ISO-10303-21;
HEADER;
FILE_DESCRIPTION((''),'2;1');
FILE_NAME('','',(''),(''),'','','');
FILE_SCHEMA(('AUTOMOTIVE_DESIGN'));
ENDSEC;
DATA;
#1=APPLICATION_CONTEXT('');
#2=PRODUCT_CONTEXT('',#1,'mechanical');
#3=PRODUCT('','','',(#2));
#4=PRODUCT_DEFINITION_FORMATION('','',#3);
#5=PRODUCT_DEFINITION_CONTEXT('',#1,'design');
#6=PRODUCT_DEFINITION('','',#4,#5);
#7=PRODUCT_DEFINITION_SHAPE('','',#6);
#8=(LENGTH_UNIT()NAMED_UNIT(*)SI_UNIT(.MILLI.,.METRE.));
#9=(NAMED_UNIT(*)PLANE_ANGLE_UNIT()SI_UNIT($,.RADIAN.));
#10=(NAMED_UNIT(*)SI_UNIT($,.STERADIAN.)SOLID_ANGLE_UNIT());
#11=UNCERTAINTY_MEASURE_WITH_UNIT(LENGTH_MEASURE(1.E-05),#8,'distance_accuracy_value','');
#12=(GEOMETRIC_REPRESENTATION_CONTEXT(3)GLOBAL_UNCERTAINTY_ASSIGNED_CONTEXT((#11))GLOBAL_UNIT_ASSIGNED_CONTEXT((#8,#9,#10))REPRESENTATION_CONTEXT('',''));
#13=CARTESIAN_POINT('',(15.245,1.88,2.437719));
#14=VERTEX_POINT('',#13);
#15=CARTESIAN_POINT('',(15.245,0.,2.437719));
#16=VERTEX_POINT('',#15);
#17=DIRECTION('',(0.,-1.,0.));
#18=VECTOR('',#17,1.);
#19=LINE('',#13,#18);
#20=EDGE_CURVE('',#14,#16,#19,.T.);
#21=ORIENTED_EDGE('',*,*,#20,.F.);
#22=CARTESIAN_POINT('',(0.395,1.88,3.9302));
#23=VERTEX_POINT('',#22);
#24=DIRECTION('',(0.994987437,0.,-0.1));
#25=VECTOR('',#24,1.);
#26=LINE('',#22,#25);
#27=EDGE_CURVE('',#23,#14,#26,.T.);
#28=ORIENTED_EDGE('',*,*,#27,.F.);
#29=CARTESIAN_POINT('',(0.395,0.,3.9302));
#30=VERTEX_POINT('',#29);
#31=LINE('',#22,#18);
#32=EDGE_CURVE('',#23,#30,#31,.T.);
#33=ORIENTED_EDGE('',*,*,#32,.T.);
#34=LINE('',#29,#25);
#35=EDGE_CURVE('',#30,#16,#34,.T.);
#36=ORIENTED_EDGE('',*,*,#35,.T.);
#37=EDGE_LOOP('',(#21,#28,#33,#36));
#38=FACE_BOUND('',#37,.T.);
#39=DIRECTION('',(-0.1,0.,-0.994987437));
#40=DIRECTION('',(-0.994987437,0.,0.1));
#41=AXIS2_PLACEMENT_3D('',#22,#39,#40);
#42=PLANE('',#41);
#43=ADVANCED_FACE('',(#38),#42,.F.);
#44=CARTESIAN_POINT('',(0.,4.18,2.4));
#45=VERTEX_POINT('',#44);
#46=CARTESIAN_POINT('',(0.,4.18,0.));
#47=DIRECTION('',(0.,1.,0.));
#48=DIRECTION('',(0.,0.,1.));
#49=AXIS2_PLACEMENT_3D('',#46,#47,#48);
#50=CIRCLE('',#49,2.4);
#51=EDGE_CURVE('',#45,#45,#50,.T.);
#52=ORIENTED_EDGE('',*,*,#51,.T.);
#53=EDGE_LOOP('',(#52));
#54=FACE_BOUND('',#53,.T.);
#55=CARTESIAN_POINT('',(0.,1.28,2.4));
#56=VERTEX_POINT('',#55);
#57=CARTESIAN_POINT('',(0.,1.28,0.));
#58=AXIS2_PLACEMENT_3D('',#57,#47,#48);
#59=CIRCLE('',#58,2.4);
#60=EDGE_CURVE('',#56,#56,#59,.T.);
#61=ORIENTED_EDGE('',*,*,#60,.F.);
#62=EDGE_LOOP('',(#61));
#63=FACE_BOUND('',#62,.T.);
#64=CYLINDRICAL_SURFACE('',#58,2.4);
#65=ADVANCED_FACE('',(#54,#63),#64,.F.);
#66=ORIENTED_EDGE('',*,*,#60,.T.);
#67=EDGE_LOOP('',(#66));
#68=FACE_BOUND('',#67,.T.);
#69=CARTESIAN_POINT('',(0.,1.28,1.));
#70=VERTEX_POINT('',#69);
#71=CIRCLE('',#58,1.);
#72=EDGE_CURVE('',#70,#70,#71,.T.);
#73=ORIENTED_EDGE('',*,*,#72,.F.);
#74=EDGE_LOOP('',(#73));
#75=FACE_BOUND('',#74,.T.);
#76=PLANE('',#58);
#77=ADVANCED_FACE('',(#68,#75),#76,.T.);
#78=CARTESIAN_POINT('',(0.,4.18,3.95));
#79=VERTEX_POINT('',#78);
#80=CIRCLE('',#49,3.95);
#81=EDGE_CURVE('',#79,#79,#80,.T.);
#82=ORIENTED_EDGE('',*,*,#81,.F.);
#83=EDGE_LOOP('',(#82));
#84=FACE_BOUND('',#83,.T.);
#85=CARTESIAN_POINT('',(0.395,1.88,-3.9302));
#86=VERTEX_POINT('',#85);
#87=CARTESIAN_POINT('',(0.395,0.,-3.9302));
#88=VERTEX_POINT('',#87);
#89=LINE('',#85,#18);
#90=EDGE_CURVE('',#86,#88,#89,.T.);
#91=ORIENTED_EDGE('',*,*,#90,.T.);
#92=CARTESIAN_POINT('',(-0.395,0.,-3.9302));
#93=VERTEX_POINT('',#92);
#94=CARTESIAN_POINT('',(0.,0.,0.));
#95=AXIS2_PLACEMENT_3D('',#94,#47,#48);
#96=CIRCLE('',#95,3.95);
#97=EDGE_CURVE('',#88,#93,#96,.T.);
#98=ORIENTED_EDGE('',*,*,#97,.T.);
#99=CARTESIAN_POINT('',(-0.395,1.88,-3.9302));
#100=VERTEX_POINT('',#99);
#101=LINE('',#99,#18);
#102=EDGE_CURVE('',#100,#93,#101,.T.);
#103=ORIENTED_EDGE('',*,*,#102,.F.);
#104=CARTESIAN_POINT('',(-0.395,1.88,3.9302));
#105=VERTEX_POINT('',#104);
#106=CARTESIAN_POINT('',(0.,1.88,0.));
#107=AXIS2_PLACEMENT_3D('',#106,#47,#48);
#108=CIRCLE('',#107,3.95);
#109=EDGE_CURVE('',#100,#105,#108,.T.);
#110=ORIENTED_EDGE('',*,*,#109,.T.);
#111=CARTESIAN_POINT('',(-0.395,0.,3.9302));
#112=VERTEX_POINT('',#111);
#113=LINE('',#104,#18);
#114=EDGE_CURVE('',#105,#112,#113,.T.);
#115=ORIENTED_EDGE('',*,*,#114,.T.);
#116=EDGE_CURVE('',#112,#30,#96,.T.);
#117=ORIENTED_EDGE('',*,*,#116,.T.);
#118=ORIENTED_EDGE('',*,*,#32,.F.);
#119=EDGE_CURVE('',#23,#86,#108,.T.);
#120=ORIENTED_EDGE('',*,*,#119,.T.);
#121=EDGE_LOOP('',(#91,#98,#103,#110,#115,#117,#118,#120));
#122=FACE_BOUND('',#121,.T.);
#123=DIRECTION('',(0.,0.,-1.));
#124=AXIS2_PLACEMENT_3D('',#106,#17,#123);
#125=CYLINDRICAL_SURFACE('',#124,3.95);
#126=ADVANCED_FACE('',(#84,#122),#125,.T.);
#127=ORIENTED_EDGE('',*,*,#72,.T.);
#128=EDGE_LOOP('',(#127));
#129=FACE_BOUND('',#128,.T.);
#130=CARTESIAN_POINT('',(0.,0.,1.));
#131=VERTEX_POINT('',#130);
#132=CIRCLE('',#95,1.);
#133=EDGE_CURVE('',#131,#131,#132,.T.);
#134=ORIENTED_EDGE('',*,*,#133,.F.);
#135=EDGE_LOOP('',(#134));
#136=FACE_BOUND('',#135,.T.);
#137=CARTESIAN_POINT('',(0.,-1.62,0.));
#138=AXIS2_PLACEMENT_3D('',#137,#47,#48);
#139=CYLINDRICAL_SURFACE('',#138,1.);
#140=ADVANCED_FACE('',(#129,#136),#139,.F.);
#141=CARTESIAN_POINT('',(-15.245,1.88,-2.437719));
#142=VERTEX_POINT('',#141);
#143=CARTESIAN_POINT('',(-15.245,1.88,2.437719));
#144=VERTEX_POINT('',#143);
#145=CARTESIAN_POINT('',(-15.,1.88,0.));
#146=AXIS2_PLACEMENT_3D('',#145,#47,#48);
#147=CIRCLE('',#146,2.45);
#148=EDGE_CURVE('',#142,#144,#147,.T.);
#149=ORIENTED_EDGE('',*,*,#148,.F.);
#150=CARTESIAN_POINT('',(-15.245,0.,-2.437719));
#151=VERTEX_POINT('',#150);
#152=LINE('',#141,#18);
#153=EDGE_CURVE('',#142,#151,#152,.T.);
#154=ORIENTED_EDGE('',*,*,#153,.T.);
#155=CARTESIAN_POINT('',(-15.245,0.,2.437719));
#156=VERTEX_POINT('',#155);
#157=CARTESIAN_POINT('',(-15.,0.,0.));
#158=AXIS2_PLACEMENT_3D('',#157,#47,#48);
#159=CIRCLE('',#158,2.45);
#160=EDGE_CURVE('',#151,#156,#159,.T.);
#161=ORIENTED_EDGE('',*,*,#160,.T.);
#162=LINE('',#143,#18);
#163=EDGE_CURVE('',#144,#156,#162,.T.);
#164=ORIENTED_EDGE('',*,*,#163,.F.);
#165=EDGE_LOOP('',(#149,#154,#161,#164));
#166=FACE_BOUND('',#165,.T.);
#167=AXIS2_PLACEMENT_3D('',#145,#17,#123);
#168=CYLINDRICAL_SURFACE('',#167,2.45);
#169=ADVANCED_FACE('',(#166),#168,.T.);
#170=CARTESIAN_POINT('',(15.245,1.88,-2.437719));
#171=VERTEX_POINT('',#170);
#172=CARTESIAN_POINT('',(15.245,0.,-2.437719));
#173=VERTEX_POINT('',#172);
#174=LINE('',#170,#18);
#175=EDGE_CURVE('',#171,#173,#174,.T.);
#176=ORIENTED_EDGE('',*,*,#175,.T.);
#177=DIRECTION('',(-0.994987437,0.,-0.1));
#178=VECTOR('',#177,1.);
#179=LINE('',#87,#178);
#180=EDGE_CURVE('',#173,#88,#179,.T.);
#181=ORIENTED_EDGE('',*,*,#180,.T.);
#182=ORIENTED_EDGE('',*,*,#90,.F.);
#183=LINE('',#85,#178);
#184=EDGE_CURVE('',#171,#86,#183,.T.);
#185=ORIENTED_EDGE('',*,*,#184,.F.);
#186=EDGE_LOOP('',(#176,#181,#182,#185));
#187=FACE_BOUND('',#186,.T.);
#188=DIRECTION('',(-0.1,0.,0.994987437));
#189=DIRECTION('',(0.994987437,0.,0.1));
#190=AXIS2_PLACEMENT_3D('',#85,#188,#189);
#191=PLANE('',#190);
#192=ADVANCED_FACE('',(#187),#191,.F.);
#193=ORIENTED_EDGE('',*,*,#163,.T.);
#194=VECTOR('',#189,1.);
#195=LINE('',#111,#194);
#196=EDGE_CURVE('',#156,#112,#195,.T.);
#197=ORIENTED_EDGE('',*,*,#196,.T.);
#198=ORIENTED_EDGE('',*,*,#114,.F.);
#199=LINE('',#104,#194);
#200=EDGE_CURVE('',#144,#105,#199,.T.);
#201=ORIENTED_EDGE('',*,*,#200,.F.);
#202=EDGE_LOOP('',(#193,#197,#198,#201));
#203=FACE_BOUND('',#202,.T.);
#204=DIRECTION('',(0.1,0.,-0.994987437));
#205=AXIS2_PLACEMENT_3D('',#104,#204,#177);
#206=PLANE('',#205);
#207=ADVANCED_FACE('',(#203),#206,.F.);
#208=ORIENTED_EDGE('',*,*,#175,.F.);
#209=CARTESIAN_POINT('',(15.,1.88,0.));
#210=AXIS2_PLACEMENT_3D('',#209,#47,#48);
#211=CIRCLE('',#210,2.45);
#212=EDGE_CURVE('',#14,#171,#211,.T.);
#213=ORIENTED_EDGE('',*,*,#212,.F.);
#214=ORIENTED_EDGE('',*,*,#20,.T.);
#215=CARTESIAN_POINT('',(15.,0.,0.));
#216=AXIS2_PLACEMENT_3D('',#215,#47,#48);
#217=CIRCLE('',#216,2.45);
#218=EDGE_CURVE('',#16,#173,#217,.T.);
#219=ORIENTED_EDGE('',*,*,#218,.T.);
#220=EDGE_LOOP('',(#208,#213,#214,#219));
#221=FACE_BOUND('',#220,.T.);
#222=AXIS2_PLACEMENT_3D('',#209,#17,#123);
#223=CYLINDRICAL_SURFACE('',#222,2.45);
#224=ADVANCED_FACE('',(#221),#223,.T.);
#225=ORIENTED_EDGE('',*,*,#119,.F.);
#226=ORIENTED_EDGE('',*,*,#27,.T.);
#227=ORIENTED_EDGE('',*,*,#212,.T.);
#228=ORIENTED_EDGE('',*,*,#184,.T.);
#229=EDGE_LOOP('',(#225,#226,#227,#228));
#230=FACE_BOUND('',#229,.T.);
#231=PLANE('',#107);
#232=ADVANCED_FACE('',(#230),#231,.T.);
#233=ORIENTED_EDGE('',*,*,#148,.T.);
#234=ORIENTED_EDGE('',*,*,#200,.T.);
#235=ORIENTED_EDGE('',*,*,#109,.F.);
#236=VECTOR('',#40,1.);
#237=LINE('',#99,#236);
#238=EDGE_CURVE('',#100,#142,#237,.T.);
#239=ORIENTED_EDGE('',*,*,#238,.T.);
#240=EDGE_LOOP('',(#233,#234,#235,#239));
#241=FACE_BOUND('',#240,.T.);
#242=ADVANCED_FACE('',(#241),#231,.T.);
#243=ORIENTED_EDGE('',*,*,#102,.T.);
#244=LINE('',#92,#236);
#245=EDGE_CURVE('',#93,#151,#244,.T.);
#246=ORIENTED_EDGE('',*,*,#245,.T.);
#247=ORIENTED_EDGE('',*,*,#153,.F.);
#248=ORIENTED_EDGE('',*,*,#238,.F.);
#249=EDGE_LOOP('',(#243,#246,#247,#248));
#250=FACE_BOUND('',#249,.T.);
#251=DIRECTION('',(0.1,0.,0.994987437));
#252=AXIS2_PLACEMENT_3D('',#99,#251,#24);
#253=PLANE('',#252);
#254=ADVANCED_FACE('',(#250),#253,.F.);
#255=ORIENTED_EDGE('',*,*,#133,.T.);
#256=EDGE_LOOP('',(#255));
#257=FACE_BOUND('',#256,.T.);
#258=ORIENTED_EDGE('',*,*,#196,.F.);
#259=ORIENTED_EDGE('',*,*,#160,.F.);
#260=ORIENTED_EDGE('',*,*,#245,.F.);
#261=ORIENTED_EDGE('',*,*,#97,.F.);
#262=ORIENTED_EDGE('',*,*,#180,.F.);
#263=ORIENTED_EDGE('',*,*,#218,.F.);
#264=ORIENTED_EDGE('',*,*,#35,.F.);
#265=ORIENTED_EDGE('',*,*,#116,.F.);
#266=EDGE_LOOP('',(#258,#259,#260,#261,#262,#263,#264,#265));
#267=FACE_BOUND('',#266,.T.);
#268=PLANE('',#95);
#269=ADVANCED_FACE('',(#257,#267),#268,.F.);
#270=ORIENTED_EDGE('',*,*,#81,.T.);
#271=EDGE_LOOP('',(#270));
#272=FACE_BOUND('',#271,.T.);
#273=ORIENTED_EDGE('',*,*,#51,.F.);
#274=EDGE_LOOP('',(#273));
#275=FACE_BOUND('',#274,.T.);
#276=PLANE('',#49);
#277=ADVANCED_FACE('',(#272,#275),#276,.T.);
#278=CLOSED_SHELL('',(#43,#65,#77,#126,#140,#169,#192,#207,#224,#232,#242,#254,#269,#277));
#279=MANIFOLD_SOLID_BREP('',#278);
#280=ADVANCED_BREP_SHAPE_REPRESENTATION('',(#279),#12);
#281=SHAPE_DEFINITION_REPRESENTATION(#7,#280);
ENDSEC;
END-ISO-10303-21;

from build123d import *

# Parameters (mm, degrees)
BOSS_EXTRU_1_DEPTH      = 1.88
ESQUISSE2_R             = 3.95
BOSS_EXTRU_2_DEPTH      = 2.3
ESQUISSE3_R             = 2.4
ENL_V_MAT_EXTRU_1_DEPTH = 2.9
ESQUISSE4_R             = 1
ENL_V_MAT_EXTRU_2_DEPTH = 2.9


with BuildPart() as part:
    # Esquisse1 → Boss.-Extru.1 (new body)
    with BuildSketch(Plane(origin=(0, 0, 0), x_dir=(1, 0, 0), z_dir=(0, 1, 0))):
        with BuildLine():
            Line((-0.395, 3.930200377), (-15.245, 2.437719221))
            ThreePointArc((-15.245, 2.437719221), (-17.45, 0), (-15.245, -2.437719221))
            Line((-15.245, -2.437719221), (-0.395, -3.930200377))
            ThreePointArc((-0.395, -3.930200377), (0, -3.95), (0.395, -3.930200377))
            Line((0.395, -3.930200377), (15.245, -2.437719221))
            ThreePointArc((15.245, -2.437719221), (17.45, 0), (15.245, 2.437719221))
            Line((15.245, 2.437719221), (0.395, 3.930200377))
            ThreePointArc((0.395, 3.930200377), (0, 3.95), (-0.395, 3.930200377))
        make_face()
    extrude(amount=BOSS_EXTRU_1_DEPTH)

    # Esquisse2 → Boss.-Extru.2 (add)
    with BuildSketch(Plane(origin=(0, 1.88, 0), x_dir=(1, 0, 0), z_dir=(0, 1, 0))):
        with Locations(Location((0, 0, 0), (0, 0, 84.260829523))):
            Circle(ESQUISSE2_R)
    extrude(amount=BOSS_EXTRU_2_DEPTH)

    # Esquisse3 → Enlèv. mat.-Extru.1 (cut)
    with BuildSketch(Plane(origin=(0, 4.18, 0), x_dir=(1, 0, 0), z_dir=(0, 1, 0))):
        with Locations(Location((0, 0, 0), (0, 0, 270))):
            Circle(ESQUISSE3_R)
    extrude(amount=-ENL_V_MAT_EXTRU_1_DEPTH, mode=Mode.SUBTRACT)

    # Esquisse4 → Enlèv. mat.-Extru.2 (cut)
    with BuildSketch(Plane(origin=(0, 1.28, 0), x_dir=(1, 0, 0), z_dir=(0, 1, 0))):
        with Locations(Location((0, 0, 0), (0, 0, 270))):
            Circle(ESQUISSE4_R)
    extrude(amount=-ENL_V_MAT_EXTRU_2_DEPTH, mode=Mode.SUBTRACT)


solid = part.part
